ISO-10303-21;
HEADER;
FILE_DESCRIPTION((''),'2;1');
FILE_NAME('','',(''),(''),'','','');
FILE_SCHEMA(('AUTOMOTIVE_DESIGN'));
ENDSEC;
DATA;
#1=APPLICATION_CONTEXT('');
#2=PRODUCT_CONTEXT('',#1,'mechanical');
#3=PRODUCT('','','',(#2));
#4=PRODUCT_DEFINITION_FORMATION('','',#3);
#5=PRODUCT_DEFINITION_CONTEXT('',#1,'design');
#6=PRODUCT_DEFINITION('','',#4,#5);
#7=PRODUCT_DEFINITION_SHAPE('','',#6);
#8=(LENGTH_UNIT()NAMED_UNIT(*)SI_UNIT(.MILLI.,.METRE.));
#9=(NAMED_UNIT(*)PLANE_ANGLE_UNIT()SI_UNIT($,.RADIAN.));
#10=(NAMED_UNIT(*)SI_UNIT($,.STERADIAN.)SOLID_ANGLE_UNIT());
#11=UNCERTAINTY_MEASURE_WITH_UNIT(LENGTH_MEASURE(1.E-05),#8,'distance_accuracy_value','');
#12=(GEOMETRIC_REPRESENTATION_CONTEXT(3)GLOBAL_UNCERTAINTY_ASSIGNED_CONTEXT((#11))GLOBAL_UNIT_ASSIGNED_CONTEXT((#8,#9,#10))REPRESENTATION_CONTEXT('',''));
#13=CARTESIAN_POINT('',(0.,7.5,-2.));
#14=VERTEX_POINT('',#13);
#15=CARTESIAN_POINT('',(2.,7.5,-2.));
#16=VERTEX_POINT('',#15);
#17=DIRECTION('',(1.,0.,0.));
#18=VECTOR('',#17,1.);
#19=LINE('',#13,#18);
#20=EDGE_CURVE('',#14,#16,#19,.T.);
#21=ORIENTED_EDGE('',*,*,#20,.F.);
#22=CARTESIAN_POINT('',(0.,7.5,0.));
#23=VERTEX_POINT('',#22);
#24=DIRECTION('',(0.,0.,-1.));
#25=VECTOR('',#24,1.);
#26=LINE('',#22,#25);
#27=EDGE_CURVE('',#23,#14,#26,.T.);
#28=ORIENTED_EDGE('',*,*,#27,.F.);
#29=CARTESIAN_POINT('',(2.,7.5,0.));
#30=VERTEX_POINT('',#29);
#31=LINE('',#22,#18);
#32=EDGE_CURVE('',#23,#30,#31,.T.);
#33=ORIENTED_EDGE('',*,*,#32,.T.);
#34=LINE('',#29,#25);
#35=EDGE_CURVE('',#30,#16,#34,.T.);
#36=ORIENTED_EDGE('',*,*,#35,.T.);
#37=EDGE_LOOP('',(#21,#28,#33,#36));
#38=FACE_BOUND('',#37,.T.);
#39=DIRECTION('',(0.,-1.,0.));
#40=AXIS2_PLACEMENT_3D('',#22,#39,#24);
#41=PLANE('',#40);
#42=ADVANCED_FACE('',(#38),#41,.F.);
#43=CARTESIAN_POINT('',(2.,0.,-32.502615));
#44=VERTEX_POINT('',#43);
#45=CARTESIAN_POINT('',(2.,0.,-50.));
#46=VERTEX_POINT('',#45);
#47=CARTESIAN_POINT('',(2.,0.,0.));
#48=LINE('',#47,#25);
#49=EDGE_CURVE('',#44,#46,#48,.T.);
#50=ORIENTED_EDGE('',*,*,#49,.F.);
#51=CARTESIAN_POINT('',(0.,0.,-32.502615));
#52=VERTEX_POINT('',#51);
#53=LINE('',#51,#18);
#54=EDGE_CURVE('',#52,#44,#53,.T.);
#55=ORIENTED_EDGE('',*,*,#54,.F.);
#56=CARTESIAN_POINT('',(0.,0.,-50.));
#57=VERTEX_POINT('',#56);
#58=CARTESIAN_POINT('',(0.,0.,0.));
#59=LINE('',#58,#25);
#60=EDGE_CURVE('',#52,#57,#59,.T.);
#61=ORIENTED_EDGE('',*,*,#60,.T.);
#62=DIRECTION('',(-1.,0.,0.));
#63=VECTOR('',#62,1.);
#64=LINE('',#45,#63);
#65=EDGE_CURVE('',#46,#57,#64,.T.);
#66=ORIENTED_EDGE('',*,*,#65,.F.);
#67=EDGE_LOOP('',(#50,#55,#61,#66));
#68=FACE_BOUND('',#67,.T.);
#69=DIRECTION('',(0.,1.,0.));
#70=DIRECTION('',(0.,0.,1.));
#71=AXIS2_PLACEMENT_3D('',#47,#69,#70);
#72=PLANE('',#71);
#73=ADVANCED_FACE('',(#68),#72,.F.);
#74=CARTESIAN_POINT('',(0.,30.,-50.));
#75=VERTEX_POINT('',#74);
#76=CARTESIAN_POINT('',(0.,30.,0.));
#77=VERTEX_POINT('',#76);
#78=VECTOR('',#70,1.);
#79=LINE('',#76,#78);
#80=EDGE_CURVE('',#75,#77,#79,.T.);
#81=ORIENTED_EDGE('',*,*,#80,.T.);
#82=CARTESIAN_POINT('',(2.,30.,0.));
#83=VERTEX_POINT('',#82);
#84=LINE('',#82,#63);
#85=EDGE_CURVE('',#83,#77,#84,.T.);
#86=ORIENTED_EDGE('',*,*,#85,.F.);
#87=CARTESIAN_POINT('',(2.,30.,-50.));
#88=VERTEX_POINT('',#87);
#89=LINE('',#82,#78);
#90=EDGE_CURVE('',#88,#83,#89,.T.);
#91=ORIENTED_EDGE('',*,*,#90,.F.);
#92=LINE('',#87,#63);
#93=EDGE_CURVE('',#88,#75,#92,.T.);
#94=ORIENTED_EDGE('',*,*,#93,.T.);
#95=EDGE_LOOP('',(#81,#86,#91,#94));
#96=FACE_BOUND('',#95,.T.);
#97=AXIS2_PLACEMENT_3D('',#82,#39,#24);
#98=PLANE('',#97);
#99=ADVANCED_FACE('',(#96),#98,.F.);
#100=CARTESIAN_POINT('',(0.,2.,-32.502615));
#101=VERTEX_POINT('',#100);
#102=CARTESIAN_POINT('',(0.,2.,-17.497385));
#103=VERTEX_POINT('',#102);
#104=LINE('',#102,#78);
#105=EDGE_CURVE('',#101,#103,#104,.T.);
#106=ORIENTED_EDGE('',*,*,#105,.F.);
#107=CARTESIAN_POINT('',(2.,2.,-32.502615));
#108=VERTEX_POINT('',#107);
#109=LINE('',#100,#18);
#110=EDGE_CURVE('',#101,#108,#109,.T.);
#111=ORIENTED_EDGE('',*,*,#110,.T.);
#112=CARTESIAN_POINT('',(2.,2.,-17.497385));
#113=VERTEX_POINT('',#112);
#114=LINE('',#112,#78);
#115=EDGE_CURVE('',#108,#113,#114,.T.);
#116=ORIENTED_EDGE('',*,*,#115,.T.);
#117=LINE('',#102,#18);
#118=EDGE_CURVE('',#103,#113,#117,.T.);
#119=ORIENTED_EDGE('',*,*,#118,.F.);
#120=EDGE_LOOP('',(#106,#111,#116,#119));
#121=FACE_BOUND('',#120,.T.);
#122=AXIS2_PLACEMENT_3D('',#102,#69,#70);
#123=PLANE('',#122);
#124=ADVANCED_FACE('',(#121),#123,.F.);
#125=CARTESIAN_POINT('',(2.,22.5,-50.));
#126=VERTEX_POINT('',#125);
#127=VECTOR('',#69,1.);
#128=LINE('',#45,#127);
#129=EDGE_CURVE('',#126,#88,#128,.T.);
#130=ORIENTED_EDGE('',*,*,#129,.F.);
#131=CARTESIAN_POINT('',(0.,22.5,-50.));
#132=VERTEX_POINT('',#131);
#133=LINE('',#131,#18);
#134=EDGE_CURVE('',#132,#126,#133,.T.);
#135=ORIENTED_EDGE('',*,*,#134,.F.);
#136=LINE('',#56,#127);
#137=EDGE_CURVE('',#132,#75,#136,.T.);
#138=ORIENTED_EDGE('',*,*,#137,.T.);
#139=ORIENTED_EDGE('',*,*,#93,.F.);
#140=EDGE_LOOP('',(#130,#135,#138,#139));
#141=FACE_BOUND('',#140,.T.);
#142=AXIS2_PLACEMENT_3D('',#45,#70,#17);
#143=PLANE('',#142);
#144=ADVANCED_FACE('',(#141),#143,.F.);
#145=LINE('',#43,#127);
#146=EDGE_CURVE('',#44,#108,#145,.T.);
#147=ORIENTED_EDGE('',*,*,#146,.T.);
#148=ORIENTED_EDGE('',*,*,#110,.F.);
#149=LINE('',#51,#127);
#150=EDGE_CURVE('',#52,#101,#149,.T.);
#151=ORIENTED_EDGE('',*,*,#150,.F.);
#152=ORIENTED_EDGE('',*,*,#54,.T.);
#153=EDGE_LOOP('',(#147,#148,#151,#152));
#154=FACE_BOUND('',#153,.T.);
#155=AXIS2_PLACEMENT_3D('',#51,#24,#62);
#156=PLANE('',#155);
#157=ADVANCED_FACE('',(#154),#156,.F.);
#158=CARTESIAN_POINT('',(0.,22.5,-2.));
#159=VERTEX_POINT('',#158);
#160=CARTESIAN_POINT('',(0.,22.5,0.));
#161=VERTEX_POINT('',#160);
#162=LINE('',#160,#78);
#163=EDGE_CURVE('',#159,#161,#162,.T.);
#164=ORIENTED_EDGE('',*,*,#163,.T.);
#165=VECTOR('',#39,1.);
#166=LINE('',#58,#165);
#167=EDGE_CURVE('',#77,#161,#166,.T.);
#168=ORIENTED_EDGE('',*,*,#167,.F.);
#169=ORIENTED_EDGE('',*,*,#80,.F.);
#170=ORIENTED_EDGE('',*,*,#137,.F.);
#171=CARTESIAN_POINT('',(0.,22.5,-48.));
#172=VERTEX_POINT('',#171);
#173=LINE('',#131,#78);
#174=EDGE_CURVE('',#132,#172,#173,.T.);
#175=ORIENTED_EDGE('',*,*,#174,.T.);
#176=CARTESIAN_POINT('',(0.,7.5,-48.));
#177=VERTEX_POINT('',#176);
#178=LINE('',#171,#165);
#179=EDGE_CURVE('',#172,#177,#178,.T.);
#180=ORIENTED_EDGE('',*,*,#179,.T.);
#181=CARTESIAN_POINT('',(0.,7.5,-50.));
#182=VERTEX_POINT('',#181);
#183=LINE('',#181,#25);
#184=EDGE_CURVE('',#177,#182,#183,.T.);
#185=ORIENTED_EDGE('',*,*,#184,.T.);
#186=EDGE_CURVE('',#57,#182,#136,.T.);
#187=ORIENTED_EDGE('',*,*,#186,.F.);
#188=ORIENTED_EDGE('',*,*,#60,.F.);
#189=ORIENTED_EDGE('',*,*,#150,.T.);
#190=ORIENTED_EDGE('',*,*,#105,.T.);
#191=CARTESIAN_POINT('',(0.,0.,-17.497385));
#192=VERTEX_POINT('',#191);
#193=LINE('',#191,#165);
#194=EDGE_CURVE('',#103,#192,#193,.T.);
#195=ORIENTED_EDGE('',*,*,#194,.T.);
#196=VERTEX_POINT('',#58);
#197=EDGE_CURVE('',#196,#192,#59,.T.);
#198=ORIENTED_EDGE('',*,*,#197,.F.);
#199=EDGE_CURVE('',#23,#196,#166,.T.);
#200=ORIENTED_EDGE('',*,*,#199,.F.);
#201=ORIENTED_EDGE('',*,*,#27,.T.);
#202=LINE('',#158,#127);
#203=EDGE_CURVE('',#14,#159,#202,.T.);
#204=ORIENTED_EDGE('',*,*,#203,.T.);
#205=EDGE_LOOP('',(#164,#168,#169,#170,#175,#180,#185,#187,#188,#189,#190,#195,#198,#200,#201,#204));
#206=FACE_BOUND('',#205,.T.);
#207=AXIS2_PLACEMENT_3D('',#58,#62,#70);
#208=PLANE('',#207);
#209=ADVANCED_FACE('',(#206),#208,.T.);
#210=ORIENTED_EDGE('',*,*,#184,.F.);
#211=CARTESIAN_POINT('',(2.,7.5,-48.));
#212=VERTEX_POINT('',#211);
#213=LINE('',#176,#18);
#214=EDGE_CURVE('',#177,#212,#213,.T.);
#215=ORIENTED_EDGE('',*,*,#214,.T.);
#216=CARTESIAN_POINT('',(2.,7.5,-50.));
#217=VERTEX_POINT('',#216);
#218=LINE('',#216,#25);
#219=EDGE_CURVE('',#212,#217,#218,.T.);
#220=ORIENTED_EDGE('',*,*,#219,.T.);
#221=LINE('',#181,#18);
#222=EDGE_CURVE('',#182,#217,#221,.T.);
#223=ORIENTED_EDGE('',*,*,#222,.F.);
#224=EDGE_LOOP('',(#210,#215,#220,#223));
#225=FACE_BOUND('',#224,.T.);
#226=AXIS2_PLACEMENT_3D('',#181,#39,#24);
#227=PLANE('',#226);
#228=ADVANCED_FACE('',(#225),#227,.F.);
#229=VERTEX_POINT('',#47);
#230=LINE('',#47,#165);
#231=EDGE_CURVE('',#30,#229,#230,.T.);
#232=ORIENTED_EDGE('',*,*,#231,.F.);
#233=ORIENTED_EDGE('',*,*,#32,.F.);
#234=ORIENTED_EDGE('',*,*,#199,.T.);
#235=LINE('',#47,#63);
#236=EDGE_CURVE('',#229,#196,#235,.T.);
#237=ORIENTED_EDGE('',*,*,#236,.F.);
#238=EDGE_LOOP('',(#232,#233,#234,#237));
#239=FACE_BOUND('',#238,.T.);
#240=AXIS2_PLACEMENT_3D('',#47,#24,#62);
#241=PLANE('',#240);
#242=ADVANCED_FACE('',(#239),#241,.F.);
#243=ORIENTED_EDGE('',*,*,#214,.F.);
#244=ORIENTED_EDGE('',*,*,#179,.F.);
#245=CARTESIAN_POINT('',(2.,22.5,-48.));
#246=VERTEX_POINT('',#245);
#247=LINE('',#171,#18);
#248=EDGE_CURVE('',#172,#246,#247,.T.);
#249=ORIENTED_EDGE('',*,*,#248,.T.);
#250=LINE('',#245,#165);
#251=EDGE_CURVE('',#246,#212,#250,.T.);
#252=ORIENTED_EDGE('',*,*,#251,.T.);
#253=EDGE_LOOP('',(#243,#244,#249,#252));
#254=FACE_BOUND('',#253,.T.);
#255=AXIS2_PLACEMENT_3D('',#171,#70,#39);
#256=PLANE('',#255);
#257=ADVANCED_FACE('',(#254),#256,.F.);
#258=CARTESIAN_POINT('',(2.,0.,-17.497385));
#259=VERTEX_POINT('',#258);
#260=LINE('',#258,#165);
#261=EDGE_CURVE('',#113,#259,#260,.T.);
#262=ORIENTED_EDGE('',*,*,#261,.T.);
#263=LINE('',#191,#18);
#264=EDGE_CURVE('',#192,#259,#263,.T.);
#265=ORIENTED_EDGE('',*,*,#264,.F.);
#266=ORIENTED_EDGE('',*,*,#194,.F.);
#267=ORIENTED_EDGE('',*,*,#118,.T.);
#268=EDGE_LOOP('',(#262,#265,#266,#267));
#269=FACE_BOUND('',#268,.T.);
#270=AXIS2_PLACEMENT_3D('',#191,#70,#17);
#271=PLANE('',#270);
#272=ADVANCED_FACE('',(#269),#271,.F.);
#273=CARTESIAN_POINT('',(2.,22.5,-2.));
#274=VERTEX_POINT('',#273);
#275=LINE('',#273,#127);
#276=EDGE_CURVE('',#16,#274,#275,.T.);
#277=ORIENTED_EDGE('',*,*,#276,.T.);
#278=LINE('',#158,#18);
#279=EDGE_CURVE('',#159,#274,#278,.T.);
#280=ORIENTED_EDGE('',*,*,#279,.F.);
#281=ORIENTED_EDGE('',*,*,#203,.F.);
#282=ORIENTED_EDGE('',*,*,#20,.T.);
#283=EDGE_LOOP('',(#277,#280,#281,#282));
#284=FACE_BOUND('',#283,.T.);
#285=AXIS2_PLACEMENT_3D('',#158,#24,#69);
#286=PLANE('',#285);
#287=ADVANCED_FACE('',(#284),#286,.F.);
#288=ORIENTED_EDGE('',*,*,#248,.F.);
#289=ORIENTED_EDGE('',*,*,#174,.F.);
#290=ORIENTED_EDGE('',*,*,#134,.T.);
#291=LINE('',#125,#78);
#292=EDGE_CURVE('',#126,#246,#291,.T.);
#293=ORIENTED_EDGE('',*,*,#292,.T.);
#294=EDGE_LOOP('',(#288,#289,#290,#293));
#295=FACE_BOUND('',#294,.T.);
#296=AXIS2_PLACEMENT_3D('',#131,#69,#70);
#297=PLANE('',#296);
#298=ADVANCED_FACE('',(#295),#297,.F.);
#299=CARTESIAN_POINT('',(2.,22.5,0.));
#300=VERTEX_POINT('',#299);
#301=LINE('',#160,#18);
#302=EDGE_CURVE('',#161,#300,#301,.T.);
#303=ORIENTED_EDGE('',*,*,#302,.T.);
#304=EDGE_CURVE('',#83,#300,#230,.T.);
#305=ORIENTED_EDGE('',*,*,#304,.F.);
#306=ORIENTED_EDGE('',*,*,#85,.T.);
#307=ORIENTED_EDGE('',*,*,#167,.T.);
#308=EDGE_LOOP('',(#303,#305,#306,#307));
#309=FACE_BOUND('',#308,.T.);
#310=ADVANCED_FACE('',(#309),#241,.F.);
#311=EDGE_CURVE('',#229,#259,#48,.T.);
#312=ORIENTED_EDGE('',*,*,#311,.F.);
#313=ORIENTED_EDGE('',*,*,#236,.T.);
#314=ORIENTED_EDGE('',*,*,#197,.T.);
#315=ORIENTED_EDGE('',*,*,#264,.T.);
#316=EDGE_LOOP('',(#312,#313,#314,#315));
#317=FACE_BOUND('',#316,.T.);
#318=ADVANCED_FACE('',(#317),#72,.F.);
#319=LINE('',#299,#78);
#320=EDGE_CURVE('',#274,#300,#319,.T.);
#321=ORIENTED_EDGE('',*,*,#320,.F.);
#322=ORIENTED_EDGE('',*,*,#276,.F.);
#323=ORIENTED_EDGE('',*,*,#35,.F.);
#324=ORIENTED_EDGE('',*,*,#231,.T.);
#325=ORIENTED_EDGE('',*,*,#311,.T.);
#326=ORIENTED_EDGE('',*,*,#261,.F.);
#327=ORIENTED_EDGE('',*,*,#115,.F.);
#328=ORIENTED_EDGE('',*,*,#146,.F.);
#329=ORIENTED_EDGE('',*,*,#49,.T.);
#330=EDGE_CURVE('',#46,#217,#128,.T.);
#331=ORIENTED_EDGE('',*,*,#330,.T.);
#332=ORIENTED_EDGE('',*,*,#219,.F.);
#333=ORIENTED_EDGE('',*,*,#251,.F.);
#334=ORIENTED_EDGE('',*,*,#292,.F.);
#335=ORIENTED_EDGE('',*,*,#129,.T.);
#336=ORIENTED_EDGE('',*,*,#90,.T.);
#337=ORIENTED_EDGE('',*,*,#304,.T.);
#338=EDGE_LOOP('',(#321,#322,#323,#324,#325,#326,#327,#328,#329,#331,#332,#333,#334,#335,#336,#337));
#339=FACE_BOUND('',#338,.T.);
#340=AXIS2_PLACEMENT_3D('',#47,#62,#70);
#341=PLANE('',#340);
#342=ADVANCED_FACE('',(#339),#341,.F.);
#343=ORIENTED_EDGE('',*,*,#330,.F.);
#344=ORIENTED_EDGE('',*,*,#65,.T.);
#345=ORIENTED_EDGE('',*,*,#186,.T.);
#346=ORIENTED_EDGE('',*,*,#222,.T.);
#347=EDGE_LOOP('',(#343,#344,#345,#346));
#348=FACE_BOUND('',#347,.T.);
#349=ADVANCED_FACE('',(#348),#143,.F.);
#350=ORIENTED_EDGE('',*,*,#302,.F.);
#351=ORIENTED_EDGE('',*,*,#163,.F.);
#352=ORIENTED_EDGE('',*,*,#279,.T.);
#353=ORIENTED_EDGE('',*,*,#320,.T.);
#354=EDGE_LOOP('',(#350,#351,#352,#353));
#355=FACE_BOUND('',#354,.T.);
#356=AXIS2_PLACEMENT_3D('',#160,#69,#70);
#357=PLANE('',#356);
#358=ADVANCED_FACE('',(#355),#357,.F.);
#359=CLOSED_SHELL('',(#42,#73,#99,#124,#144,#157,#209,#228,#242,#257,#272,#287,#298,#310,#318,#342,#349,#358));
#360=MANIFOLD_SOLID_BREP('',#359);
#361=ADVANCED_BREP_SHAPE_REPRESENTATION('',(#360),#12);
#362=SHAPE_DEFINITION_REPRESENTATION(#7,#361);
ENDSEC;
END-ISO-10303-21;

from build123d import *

# Parameters (mm, degrees)
ESQUISSE1_W             = 50
ESQUISSE1_H             = 30
BOSS_EXTRU_1_DEPTH      = 2
ESQUISSE2_W             = 2
ESQUISSE2_H             = 15
ENL_V_MAT_EXTRU_1_DEPTH = 2
ESQUISSE3_W             = 15.005230118
ESQUISSE3_H             = 2
ENL_V_MAT_EXTRU_2_DEPTH = 2


with BuildPart() as part:
    # Esquisse1 → Boss.-Extru.1 (new body)
    with BuildSketch(Plane(origin=(0, 0, 0), x_dir=(0, 0, -1), z_dir=(1, 0, 0))):
        with Locations((25, 15)):
            Rectangle(ESQUISSE1_W, ESQUISSE1_H)
    extrude(amount=BOSS_EXTRU_1_DEPTH)

    # Esquisse2 → Enlèv. mat.-Extru.1 (cut)
    with BuildSketch(Plane(origin=(2, 0, 0), x_dir=(0, 0, -1), z_dir=(1, 0, 0))):
        with Locations((1, 15)):
            Rectangle(ESQUISSE2_W, ESQUISSE2_H)
        with Locations((49, 15)):
            Rectangle(ESQUISSE2_W, ESQUISSE2_H)
    extrude(amount=-ENL_V_MAT_EXTRU_1_DEPTH, mode=Mode.SUBTRACT)

    # Esquisse3 → Enlèv. mat.-Extru.2 (cut)
    with BuildSketch(Plane(origin=(2, 0, 0), x_dir=(0, 0, -1), z_dir=(1, 0, 0))):
        with Locations((25, 1)):
            Rectangle(ESQUISSE3_W, ESQUISSE3_H)
    extrude(amount=-ENL_V_MAT_EXTRU_2_DEPTH, mode=Mode.SUBTRACT)


solid = part.part
